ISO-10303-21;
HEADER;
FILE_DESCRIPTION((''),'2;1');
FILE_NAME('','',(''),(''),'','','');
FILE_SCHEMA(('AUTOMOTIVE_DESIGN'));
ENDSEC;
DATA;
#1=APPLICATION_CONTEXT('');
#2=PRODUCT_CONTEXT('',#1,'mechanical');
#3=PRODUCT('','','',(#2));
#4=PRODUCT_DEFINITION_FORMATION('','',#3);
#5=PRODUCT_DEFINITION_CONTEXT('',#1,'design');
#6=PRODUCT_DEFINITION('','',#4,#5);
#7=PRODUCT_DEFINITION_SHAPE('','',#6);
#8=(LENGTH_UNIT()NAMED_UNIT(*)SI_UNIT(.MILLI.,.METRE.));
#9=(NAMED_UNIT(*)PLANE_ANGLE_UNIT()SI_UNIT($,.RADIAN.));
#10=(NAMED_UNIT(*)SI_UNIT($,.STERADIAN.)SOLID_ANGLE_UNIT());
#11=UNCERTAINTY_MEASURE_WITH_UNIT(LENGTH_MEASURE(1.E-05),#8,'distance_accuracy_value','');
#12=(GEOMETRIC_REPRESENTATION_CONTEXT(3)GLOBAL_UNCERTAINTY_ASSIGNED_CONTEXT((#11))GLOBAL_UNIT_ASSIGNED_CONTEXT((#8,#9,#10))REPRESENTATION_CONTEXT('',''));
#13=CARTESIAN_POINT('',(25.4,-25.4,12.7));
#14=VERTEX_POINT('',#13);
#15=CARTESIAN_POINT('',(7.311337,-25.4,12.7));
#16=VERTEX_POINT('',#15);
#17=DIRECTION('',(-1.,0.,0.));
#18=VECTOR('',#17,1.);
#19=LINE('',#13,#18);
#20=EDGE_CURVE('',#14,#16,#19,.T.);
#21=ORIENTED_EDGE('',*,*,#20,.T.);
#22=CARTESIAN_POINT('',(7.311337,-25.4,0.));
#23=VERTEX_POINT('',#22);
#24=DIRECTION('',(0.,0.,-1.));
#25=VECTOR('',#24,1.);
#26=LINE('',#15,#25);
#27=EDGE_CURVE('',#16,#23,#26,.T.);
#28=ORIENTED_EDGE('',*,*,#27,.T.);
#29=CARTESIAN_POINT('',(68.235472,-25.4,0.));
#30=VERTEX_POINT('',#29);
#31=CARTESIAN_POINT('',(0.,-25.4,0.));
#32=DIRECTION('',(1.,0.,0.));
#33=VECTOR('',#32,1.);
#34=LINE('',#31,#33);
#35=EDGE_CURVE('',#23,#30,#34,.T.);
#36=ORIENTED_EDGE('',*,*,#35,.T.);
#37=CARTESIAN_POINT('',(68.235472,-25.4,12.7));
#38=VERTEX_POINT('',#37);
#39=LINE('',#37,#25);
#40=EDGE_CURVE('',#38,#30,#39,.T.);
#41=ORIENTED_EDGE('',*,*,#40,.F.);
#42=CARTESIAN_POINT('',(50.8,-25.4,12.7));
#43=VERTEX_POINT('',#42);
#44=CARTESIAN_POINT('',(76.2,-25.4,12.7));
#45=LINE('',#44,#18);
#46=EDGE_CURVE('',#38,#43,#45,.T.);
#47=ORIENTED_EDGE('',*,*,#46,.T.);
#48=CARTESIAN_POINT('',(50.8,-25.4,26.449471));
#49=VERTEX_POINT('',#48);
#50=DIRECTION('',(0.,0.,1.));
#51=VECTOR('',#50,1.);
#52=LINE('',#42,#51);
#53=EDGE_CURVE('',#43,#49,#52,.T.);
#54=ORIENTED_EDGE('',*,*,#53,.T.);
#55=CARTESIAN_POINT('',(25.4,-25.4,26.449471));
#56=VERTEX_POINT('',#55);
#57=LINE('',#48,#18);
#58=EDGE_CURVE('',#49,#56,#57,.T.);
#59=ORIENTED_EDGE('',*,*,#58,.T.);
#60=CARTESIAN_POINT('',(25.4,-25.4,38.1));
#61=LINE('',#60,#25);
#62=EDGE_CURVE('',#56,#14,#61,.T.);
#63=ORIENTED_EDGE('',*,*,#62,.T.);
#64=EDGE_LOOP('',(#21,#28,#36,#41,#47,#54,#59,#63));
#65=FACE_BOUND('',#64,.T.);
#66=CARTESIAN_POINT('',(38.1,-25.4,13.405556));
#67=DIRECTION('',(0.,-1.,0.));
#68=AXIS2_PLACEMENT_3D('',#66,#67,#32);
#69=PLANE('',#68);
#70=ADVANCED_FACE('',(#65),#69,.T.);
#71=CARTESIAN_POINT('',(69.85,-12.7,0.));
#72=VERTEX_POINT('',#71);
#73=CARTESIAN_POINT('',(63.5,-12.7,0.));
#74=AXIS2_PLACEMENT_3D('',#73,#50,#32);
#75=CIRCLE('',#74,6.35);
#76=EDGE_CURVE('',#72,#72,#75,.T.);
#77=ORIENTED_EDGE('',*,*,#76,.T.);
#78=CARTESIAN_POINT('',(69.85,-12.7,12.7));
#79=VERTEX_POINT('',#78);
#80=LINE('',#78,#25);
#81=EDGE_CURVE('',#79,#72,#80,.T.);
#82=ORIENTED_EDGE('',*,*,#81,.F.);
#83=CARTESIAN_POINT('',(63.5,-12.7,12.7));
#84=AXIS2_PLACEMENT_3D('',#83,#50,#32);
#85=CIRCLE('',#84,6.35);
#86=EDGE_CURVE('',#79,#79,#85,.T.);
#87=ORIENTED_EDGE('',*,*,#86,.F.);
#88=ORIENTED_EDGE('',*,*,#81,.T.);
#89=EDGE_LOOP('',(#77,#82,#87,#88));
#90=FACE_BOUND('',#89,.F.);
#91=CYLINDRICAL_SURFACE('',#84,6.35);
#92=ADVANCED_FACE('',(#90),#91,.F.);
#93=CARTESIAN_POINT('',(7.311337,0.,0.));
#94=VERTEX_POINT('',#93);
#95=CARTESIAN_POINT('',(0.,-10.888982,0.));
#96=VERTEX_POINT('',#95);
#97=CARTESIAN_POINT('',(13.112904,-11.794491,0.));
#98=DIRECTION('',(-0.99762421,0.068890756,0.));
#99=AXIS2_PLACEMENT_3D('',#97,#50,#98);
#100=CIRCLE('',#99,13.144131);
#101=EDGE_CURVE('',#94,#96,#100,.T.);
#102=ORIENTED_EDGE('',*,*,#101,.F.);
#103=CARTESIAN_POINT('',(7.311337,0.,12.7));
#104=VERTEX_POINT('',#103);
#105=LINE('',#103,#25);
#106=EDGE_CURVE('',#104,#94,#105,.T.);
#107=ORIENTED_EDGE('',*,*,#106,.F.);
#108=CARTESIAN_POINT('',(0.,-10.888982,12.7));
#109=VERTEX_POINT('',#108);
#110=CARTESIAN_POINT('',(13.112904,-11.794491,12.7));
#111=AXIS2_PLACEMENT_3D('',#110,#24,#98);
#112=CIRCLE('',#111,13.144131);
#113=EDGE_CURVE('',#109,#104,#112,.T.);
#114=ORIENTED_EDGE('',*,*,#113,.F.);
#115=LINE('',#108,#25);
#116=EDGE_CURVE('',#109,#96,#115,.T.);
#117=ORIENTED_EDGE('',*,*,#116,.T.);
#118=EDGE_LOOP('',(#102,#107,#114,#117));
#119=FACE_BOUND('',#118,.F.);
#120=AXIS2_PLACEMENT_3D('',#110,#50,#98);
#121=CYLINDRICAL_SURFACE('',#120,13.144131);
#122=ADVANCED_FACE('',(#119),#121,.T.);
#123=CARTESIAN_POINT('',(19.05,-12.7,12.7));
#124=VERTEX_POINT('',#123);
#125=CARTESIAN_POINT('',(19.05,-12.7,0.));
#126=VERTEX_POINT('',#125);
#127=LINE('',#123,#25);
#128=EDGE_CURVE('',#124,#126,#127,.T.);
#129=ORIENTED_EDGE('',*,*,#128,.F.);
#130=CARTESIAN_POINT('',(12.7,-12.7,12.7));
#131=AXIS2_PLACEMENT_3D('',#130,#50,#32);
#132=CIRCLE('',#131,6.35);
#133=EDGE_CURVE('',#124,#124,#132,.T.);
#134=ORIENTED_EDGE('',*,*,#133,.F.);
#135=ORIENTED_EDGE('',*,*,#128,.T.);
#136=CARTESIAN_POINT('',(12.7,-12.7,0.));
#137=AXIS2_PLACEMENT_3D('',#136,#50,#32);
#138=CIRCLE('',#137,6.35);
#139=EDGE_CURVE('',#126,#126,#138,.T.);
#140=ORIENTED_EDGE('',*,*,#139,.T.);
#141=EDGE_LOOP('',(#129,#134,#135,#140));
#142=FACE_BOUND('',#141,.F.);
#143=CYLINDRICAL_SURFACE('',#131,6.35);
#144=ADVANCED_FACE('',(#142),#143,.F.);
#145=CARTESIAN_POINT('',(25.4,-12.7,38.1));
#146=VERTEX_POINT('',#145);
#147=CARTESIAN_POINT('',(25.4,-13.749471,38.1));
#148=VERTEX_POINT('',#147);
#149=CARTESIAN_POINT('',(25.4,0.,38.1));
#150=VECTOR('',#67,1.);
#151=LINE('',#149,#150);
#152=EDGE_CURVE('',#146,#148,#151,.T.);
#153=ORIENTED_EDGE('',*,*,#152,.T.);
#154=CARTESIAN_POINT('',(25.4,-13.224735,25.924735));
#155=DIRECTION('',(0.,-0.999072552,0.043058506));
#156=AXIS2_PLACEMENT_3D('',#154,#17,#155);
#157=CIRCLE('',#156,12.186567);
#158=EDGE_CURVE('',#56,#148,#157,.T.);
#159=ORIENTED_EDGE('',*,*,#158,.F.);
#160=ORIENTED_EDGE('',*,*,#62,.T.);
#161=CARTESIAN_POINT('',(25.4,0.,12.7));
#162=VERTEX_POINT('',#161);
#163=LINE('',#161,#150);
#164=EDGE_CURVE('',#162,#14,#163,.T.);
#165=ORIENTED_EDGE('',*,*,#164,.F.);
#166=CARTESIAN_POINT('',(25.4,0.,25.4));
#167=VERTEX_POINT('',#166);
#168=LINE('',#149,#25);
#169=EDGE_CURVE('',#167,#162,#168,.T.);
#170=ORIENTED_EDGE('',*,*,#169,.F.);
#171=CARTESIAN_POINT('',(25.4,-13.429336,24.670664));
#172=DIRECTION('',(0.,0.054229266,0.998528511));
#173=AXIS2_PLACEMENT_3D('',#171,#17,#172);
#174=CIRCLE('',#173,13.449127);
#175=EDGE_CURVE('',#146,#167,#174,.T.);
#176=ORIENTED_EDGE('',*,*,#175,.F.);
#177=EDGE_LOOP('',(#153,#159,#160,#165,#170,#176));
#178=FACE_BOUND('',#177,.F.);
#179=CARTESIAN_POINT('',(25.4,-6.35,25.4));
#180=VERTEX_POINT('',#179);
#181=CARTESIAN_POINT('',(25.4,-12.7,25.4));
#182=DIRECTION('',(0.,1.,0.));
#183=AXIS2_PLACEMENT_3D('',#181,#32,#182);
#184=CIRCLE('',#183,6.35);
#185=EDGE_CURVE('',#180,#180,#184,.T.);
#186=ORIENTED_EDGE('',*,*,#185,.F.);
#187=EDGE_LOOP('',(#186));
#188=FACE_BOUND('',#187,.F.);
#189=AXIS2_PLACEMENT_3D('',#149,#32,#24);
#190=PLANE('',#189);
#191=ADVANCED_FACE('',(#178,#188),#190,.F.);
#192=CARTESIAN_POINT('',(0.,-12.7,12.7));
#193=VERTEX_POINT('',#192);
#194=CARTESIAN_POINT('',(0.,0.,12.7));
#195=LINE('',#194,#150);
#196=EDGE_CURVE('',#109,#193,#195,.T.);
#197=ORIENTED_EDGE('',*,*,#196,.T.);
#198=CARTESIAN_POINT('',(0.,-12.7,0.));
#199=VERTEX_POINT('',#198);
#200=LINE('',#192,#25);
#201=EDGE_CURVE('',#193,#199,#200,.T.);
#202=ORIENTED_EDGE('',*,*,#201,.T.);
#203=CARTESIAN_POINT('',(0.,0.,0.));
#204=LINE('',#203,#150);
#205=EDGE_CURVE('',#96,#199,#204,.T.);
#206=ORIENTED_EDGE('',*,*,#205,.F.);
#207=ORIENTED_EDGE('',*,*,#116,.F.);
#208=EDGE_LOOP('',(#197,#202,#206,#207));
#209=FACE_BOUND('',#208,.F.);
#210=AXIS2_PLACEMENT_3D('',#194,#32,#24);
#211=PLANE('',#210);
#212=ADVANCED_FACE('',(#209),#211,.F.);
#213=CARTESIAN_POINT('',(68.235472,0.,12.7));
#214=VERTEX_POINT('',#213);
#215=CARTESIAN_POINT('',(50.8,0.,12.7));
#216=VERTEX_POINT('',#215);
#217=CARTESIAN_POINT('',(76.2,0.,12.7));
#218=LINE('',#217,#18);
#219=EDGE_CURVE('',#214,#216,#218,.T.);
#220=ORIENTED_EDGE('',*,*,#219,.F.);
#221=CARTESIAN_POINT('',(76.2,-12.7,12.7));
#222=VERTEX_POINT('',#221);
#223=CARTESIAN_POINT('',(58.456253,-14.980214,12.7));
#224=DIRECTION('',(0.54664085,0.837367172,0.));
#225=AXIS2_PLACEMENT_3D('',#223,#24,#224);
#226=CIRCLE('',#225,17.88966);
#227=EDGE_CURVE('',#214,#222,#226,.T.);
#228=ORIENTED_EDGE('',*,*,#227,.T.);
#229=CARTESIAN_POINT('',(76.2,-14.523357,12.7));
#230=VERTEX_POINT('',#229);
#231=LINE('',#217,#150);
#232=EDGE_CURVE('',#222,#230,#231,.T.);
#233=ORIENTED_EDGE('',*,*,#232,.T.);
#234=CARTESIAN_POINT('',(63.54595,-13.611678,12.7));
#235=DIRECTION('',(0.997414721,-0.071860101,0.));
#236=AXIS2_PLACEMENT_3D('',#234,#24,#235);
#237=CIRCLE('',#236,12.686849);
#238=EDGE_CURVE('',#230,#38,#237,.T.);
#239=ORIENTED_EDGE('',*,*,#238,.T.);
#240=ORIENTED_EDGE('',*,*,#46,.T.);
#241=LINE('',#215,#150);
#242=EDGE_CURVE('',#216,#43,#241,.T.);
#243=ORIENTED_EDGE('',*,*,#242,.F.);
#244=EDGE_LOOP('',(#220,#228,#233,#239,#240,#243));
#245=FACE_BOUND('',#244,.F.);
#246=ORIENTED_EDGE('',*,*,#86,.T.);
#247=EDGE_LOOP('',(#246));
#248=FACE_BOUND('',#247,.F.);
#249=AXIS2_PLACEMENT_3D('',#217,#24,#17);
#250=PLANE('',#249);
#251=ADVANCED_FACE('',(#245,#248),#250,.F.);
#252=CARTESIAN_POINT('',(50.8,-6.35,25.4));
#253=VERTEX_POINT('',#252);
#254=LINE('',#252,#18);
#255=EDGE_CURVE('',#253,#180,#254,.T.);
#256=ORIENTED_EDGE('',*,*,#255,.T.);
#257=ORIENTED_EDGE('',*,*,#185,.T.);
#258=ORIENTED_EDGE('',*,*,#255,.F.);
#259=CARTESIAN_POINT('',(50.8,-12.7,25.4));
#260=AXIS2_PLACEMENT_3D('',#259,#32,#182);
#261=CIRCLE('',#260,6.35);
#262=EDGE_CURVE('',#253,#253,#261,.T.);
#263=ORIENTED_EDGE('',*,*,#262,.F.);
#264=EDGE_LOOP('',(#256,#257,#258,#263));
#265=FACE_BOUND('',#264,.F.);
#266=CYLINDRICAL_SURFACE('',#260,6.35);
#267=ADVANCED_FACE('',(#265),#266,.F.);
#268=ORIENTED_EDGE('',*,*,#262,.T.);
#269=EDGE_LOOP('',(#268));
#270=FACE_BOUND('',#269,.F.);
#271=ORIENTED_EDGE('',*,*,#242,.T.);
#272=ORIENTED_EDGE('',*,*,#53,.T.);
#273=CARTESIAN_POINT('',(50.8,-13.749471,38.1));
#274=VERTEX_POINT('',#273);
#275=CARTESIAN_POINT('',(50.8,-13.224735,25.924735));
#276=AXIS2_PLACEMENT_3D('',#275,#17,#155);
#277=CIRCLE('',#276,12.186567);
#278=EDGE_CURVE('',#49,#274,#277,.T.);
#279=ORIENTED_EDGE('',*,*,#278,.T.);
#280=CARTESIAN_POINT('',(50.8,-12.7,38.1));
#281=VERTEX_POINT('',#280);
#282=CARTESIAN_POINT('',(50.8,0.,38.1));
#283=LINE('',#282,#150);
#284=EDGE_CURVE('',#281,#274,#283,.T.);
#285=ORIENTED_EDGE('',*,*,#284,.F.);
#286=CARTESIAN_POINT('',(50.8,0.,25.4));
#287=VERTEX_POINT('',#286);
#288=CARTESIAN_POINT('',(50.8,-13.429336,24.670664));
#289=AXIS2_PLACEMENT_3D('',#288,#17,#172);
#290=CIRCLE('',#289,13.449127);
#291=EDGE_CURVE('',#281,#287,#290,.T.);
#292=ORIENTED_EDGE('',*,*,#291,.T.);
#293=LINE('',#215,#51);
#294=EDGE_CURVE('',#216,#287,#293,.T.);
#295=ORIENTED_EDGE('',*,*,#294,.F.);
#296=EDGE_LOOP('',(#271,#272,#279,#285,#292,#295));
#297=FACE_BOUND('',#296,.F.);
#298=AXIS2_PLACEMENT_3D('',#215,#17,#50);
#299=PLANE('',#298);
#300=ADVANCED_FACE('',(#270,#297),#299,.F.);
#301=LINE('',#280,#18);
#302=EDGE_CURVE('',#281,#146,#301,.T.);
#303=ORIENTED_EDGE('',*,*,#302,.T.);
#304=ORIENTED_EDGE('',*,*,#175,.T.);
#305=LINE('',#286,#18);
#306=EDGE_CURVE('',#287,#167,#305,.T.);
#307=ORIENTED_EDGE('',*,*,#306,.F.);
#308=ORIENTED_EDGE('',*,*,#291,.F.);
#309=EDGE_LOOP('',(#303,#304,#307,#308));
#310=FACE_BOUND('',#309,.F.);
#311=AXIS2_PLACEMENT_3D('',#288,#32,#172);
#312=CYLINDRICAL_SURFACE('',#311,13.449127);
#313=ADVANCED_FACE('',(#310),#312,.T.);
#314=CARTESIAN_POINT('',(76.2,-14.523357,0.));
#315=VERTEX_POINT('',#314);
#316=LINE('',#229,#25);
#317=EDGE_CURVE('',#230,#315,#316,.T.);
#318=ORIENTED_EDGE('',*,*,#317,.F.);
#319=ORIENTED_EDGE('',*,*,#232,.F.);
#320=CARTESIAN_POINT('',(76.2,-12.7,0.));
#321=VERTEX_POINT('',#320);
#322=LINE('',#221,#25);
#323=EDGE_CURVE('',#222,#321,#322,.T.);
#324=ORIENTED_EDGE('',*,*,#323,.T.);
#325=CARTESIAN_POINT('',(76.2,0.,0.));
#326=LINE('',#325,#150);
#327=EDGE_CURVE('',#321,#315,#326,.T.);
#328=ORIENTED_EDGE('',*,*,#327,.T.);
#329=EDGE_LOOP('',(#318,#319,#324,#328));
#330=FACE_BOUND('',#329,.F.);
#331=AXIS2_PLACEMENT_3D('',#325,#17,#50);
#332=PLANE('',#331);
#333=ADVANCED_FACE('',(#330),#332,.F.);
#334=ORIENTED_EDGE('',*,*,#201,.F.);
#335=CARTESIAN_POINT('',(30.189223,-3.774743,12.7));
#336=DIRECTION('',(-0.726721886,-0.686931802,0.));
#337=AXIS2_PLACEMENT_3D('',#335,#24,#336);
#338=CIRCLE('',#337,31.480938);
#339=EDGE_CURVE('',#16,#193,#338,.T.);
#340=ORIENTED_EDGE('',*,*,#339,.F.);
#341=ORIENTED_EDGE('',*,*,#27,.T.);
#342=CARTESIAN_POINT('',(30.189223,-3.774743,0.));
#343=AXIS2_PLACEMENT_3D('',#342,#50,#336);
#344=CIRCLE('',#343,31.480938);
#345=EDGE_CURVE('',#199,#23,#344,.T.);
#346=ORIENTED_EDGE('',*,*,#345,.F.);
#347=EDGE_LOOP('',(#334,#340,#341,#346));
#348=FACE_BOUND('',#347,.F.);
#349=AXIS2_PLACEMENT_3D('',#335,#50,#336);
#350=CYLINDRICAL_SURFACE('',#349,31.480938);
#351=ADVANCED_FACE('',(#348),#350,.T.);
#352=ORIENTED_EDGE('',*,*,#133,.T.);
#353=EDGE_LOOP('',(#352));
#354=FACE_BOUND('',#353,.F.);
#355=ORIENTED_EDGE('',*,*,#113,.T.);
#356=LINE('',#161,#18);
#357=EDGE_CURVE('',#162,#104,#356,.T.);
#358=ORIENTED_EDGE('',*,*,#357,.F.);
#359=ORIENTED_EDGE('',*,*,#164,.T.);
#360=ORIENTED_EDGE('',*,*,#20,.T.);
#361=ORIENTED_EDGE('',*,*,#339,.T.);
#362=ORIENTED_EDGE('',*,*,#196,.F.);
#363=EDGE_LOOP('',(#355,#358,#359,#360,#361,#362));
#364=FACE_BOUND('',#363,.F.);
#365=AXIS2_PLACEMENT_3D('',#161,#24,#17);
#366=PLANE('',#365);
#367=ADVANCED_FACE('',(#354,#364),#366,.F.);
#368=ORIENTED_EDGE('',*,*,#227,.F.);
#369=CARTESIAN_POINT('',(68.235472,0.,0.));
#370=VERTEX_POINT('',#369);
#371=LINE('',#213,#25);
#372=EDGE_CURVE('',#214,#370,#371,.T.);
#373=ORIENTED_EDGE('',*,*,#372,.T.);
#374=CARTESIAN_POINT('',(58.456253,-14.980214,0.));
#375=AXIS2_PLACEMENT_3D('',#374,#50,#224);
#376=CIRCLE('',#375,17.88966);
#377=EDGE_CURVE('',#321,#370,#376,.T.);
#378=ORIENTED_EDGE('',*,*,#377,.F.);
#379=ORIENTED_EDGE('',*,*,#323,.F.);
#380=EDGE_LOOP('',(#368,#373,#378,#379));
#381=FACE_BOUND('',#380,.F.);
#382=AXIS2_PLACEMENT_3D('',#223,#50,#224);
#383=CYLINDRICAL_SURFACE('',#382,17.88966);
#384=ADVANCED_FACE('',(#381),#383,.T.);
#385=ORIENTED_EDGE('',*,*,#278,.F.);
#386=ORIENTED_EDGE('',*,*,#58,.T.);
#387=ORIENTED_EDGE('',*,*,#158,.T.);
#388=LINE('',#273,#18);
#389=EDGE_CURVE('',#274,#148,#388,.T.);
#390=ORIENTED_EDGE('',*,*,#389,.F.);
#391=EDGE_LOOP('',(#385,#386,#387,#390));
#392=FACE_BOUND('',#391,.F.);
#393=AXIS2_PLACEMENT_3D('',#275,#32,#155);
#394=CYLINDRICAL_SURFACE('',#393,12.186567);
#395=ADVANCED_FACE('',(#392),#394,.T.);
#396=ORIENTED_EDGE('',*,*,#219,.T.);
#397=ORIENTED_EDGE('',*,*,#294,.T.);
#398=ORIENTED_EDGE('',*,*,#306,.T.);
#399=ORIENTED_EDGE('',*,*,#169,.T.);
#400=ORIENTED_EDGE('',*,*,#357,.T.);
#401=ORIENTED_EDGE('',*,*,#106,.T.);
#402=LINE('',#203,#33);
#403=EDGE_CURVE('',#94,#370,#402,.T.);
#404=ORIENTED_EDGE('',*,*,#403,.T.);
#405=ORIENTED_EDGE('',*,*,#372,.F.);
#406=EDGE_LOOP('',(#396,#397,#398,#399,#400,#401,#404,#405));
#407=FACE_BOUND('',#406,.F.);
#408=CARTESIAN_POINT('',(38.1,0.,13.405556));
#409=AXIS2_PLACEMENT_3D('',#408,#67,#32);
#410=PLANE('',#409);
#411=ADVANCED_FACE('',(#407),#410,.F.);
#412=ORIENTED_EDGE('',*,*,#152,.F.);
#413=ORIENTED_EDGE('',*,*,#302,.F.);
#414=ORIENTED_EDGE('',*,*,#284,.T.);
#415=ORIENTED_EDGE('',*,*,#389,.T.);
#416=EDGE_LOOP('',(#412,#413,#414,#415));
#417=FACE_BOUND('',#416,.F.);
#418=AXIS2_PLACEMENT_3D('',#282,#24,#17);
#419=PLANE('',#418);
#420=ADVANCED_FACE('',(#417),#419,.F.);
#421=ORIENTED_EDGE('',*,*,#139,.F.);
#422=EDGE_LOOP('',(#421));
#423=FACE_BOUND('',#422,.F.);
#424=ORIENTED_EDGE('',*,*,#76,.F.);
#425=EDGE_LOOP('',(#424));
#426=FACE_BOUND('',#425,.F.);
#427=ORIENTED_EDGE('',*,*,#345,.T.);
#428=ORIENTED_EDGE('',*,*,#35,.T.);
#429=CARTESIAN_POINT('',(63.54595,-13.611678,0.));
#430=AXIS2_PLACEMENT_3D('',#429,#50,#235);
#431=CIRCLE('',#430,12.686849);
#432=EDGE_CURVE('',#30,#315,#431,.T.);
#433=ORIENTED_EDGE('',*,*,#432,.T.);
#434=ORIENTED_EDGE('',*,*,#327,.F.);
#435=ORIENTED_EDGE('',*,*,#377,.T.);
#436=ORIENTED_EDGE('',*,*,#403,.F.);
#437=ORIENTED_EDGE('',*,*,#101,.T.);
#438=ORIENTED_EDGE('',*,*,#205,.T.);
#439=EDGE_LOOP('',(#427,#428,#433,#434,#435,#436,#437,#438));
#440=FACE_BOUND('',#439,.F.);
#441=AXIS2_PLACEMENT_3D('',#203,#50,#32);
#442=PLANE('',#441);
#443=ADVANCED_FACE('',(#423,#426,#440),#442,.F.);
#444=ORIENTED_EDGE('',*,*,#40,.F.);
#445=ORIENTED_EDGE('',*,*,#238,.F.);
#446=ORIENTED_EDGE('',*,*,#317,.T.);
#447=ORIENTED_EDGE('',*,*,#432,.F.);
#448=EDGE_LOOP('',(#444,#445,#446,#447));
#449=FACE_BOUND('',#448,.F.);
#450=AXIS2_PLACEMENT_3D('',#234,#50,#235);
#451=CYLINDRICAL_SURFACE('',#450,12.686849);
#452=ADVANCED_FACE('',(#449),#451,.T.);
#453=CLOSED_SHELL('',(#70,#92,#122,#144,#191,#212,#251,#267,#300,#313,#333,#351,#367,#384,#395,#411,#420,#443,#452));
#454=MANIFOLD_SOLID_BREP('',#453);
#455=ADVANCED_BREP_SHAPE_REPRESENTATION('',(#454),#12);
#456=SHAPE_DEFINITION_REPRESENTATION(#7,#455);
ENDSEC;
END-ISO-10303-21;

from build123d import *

# Parameters (mm, degrees)
F1_DEPTH  = 25.4
F2_R      = 6.35
F3_DEPTH  = 25.4
F4_R      = 6.35
F5_DEPTH  = 25.4
F6_R      = 6.35
F7_DEPTH  = 25.4
F9_DEPTH  = 25.4
F11_DEPTH = 25.4
F13_DEPTH = 25.4


with BuildPart() as f1:
    # F0 (on Front) → F1 (new body)
    with BuildSketch(Plane.XZ):
        Polygon((0, 12.7), (0, 0), (76.2, 0), (76.2, 12.7), (50.8, 12.7), (50.8, 38.1), (25.4, 38.1), (25.4, 12.7), align=None)
    extrude(amount=F1_DEPTH)

    # F2 (on face) → F3 (cut)
    with BuildSketch(Plane.XY.offset(12.7)):
        with Locations((63.5, -12.7)):
            Circle(F2_R)
    extrude(amount=-F3_DEPTH, mode=Mode.SUBTRACT)

    # F4 (on face) → F5 (cut)
    with BuildSketch(Plane.XY.offset(12.7)):
        with Locations((12.7, -12.7)):
            Circle(F4_R)
    extrude(amount=-F5_DEPTH, mode=Mode.SUBTRACT)

    # F6 (on face) → F7 (cut)
    with BuildSketch(Plane.YZ.offset(50.8)):
        with Locations((-12.7, 25.4)):
            Circle(F6_R)
    extrude(amount=-F7_DEPTH, mode=Mode.SUBTRACT)

    # F8 (on face) → F9 (cut)
    with BuildSketch(Plane.XY.offset(12.7)):
        with BuildLine():
            ThreePointArc((68.2354718447, 0), (73.6121400289, -5.4755298609), (76.2, -12.7))
            Line((76.2, -12.7), (76.2, 0))
            Line((76.2, 0), (68.2354718447, 0))
        make_face()
        with BuildLine():
            ThreePointArc((76.2, -14.5233565668), (73.7819264131, -21.1070720145), (68.2354718447, -25.4))
            Line((68.2354718447, -25.4), (76.2, -25.4))
            Line((76.2, -25.4), (76.2, -14.5233565668))
        make_face()
    extrude(amount=-F9_DEPTH, mode=Mode.SUBTRACT)

    # F10 (on face) → F11 (cut)
    with BuildSketch(Plane.XY.offset(12.7)):
        with BuildLine():
            ThreePointArc((0, -10.8889817229), (2.2004439823, -4.4673896083), (7.3113371618, 0))
            Line((7.3113371618, 0), (0, 0))
            Line((0, 0), (0, -10.8889817229))
        make_face()
        with BuildLine():
            ThreePointArc((7.3113371618, -25.4), (2.9064077234, -19.4813463584), (0, -12.7))
            Line((0, -12.7), (0, -25.4))
            Line((0, -25.4), (7.3113371618, -25.4))
        make_face()
    extrude(amount=-F11_DEPTH, mode=Mode.SUBTRACT)

    # F12 (on face) → F13 (cut)
    with BuildSketch(Plane.YZ.offset(50.8)):
        with BuildLine():
            Line((0, 38.1), (-12.7, 38.1))
            ThreePointArc((-12.7, 38.1), (-3.9193677073, 34.1806322927), (0, 25.4))
            Line((0, 25.4), (0, 38.1))
        make_face()
        with BuildLine():
            ThreePointArc((-25.4, 26.4494707513), (-21.8419395594, 34.5419395594), (-13.7494707513, 38.1))
            Line((-13.7494707513, 38.1), (-25.4, 38.1))
            Line((-25.4, 38.1), (-25.4, 26.4494707513))
        make_face()
    extrude(amount=-F13_DEPTH, mode=Mode.SUBTRACT)


solid = f1.part
